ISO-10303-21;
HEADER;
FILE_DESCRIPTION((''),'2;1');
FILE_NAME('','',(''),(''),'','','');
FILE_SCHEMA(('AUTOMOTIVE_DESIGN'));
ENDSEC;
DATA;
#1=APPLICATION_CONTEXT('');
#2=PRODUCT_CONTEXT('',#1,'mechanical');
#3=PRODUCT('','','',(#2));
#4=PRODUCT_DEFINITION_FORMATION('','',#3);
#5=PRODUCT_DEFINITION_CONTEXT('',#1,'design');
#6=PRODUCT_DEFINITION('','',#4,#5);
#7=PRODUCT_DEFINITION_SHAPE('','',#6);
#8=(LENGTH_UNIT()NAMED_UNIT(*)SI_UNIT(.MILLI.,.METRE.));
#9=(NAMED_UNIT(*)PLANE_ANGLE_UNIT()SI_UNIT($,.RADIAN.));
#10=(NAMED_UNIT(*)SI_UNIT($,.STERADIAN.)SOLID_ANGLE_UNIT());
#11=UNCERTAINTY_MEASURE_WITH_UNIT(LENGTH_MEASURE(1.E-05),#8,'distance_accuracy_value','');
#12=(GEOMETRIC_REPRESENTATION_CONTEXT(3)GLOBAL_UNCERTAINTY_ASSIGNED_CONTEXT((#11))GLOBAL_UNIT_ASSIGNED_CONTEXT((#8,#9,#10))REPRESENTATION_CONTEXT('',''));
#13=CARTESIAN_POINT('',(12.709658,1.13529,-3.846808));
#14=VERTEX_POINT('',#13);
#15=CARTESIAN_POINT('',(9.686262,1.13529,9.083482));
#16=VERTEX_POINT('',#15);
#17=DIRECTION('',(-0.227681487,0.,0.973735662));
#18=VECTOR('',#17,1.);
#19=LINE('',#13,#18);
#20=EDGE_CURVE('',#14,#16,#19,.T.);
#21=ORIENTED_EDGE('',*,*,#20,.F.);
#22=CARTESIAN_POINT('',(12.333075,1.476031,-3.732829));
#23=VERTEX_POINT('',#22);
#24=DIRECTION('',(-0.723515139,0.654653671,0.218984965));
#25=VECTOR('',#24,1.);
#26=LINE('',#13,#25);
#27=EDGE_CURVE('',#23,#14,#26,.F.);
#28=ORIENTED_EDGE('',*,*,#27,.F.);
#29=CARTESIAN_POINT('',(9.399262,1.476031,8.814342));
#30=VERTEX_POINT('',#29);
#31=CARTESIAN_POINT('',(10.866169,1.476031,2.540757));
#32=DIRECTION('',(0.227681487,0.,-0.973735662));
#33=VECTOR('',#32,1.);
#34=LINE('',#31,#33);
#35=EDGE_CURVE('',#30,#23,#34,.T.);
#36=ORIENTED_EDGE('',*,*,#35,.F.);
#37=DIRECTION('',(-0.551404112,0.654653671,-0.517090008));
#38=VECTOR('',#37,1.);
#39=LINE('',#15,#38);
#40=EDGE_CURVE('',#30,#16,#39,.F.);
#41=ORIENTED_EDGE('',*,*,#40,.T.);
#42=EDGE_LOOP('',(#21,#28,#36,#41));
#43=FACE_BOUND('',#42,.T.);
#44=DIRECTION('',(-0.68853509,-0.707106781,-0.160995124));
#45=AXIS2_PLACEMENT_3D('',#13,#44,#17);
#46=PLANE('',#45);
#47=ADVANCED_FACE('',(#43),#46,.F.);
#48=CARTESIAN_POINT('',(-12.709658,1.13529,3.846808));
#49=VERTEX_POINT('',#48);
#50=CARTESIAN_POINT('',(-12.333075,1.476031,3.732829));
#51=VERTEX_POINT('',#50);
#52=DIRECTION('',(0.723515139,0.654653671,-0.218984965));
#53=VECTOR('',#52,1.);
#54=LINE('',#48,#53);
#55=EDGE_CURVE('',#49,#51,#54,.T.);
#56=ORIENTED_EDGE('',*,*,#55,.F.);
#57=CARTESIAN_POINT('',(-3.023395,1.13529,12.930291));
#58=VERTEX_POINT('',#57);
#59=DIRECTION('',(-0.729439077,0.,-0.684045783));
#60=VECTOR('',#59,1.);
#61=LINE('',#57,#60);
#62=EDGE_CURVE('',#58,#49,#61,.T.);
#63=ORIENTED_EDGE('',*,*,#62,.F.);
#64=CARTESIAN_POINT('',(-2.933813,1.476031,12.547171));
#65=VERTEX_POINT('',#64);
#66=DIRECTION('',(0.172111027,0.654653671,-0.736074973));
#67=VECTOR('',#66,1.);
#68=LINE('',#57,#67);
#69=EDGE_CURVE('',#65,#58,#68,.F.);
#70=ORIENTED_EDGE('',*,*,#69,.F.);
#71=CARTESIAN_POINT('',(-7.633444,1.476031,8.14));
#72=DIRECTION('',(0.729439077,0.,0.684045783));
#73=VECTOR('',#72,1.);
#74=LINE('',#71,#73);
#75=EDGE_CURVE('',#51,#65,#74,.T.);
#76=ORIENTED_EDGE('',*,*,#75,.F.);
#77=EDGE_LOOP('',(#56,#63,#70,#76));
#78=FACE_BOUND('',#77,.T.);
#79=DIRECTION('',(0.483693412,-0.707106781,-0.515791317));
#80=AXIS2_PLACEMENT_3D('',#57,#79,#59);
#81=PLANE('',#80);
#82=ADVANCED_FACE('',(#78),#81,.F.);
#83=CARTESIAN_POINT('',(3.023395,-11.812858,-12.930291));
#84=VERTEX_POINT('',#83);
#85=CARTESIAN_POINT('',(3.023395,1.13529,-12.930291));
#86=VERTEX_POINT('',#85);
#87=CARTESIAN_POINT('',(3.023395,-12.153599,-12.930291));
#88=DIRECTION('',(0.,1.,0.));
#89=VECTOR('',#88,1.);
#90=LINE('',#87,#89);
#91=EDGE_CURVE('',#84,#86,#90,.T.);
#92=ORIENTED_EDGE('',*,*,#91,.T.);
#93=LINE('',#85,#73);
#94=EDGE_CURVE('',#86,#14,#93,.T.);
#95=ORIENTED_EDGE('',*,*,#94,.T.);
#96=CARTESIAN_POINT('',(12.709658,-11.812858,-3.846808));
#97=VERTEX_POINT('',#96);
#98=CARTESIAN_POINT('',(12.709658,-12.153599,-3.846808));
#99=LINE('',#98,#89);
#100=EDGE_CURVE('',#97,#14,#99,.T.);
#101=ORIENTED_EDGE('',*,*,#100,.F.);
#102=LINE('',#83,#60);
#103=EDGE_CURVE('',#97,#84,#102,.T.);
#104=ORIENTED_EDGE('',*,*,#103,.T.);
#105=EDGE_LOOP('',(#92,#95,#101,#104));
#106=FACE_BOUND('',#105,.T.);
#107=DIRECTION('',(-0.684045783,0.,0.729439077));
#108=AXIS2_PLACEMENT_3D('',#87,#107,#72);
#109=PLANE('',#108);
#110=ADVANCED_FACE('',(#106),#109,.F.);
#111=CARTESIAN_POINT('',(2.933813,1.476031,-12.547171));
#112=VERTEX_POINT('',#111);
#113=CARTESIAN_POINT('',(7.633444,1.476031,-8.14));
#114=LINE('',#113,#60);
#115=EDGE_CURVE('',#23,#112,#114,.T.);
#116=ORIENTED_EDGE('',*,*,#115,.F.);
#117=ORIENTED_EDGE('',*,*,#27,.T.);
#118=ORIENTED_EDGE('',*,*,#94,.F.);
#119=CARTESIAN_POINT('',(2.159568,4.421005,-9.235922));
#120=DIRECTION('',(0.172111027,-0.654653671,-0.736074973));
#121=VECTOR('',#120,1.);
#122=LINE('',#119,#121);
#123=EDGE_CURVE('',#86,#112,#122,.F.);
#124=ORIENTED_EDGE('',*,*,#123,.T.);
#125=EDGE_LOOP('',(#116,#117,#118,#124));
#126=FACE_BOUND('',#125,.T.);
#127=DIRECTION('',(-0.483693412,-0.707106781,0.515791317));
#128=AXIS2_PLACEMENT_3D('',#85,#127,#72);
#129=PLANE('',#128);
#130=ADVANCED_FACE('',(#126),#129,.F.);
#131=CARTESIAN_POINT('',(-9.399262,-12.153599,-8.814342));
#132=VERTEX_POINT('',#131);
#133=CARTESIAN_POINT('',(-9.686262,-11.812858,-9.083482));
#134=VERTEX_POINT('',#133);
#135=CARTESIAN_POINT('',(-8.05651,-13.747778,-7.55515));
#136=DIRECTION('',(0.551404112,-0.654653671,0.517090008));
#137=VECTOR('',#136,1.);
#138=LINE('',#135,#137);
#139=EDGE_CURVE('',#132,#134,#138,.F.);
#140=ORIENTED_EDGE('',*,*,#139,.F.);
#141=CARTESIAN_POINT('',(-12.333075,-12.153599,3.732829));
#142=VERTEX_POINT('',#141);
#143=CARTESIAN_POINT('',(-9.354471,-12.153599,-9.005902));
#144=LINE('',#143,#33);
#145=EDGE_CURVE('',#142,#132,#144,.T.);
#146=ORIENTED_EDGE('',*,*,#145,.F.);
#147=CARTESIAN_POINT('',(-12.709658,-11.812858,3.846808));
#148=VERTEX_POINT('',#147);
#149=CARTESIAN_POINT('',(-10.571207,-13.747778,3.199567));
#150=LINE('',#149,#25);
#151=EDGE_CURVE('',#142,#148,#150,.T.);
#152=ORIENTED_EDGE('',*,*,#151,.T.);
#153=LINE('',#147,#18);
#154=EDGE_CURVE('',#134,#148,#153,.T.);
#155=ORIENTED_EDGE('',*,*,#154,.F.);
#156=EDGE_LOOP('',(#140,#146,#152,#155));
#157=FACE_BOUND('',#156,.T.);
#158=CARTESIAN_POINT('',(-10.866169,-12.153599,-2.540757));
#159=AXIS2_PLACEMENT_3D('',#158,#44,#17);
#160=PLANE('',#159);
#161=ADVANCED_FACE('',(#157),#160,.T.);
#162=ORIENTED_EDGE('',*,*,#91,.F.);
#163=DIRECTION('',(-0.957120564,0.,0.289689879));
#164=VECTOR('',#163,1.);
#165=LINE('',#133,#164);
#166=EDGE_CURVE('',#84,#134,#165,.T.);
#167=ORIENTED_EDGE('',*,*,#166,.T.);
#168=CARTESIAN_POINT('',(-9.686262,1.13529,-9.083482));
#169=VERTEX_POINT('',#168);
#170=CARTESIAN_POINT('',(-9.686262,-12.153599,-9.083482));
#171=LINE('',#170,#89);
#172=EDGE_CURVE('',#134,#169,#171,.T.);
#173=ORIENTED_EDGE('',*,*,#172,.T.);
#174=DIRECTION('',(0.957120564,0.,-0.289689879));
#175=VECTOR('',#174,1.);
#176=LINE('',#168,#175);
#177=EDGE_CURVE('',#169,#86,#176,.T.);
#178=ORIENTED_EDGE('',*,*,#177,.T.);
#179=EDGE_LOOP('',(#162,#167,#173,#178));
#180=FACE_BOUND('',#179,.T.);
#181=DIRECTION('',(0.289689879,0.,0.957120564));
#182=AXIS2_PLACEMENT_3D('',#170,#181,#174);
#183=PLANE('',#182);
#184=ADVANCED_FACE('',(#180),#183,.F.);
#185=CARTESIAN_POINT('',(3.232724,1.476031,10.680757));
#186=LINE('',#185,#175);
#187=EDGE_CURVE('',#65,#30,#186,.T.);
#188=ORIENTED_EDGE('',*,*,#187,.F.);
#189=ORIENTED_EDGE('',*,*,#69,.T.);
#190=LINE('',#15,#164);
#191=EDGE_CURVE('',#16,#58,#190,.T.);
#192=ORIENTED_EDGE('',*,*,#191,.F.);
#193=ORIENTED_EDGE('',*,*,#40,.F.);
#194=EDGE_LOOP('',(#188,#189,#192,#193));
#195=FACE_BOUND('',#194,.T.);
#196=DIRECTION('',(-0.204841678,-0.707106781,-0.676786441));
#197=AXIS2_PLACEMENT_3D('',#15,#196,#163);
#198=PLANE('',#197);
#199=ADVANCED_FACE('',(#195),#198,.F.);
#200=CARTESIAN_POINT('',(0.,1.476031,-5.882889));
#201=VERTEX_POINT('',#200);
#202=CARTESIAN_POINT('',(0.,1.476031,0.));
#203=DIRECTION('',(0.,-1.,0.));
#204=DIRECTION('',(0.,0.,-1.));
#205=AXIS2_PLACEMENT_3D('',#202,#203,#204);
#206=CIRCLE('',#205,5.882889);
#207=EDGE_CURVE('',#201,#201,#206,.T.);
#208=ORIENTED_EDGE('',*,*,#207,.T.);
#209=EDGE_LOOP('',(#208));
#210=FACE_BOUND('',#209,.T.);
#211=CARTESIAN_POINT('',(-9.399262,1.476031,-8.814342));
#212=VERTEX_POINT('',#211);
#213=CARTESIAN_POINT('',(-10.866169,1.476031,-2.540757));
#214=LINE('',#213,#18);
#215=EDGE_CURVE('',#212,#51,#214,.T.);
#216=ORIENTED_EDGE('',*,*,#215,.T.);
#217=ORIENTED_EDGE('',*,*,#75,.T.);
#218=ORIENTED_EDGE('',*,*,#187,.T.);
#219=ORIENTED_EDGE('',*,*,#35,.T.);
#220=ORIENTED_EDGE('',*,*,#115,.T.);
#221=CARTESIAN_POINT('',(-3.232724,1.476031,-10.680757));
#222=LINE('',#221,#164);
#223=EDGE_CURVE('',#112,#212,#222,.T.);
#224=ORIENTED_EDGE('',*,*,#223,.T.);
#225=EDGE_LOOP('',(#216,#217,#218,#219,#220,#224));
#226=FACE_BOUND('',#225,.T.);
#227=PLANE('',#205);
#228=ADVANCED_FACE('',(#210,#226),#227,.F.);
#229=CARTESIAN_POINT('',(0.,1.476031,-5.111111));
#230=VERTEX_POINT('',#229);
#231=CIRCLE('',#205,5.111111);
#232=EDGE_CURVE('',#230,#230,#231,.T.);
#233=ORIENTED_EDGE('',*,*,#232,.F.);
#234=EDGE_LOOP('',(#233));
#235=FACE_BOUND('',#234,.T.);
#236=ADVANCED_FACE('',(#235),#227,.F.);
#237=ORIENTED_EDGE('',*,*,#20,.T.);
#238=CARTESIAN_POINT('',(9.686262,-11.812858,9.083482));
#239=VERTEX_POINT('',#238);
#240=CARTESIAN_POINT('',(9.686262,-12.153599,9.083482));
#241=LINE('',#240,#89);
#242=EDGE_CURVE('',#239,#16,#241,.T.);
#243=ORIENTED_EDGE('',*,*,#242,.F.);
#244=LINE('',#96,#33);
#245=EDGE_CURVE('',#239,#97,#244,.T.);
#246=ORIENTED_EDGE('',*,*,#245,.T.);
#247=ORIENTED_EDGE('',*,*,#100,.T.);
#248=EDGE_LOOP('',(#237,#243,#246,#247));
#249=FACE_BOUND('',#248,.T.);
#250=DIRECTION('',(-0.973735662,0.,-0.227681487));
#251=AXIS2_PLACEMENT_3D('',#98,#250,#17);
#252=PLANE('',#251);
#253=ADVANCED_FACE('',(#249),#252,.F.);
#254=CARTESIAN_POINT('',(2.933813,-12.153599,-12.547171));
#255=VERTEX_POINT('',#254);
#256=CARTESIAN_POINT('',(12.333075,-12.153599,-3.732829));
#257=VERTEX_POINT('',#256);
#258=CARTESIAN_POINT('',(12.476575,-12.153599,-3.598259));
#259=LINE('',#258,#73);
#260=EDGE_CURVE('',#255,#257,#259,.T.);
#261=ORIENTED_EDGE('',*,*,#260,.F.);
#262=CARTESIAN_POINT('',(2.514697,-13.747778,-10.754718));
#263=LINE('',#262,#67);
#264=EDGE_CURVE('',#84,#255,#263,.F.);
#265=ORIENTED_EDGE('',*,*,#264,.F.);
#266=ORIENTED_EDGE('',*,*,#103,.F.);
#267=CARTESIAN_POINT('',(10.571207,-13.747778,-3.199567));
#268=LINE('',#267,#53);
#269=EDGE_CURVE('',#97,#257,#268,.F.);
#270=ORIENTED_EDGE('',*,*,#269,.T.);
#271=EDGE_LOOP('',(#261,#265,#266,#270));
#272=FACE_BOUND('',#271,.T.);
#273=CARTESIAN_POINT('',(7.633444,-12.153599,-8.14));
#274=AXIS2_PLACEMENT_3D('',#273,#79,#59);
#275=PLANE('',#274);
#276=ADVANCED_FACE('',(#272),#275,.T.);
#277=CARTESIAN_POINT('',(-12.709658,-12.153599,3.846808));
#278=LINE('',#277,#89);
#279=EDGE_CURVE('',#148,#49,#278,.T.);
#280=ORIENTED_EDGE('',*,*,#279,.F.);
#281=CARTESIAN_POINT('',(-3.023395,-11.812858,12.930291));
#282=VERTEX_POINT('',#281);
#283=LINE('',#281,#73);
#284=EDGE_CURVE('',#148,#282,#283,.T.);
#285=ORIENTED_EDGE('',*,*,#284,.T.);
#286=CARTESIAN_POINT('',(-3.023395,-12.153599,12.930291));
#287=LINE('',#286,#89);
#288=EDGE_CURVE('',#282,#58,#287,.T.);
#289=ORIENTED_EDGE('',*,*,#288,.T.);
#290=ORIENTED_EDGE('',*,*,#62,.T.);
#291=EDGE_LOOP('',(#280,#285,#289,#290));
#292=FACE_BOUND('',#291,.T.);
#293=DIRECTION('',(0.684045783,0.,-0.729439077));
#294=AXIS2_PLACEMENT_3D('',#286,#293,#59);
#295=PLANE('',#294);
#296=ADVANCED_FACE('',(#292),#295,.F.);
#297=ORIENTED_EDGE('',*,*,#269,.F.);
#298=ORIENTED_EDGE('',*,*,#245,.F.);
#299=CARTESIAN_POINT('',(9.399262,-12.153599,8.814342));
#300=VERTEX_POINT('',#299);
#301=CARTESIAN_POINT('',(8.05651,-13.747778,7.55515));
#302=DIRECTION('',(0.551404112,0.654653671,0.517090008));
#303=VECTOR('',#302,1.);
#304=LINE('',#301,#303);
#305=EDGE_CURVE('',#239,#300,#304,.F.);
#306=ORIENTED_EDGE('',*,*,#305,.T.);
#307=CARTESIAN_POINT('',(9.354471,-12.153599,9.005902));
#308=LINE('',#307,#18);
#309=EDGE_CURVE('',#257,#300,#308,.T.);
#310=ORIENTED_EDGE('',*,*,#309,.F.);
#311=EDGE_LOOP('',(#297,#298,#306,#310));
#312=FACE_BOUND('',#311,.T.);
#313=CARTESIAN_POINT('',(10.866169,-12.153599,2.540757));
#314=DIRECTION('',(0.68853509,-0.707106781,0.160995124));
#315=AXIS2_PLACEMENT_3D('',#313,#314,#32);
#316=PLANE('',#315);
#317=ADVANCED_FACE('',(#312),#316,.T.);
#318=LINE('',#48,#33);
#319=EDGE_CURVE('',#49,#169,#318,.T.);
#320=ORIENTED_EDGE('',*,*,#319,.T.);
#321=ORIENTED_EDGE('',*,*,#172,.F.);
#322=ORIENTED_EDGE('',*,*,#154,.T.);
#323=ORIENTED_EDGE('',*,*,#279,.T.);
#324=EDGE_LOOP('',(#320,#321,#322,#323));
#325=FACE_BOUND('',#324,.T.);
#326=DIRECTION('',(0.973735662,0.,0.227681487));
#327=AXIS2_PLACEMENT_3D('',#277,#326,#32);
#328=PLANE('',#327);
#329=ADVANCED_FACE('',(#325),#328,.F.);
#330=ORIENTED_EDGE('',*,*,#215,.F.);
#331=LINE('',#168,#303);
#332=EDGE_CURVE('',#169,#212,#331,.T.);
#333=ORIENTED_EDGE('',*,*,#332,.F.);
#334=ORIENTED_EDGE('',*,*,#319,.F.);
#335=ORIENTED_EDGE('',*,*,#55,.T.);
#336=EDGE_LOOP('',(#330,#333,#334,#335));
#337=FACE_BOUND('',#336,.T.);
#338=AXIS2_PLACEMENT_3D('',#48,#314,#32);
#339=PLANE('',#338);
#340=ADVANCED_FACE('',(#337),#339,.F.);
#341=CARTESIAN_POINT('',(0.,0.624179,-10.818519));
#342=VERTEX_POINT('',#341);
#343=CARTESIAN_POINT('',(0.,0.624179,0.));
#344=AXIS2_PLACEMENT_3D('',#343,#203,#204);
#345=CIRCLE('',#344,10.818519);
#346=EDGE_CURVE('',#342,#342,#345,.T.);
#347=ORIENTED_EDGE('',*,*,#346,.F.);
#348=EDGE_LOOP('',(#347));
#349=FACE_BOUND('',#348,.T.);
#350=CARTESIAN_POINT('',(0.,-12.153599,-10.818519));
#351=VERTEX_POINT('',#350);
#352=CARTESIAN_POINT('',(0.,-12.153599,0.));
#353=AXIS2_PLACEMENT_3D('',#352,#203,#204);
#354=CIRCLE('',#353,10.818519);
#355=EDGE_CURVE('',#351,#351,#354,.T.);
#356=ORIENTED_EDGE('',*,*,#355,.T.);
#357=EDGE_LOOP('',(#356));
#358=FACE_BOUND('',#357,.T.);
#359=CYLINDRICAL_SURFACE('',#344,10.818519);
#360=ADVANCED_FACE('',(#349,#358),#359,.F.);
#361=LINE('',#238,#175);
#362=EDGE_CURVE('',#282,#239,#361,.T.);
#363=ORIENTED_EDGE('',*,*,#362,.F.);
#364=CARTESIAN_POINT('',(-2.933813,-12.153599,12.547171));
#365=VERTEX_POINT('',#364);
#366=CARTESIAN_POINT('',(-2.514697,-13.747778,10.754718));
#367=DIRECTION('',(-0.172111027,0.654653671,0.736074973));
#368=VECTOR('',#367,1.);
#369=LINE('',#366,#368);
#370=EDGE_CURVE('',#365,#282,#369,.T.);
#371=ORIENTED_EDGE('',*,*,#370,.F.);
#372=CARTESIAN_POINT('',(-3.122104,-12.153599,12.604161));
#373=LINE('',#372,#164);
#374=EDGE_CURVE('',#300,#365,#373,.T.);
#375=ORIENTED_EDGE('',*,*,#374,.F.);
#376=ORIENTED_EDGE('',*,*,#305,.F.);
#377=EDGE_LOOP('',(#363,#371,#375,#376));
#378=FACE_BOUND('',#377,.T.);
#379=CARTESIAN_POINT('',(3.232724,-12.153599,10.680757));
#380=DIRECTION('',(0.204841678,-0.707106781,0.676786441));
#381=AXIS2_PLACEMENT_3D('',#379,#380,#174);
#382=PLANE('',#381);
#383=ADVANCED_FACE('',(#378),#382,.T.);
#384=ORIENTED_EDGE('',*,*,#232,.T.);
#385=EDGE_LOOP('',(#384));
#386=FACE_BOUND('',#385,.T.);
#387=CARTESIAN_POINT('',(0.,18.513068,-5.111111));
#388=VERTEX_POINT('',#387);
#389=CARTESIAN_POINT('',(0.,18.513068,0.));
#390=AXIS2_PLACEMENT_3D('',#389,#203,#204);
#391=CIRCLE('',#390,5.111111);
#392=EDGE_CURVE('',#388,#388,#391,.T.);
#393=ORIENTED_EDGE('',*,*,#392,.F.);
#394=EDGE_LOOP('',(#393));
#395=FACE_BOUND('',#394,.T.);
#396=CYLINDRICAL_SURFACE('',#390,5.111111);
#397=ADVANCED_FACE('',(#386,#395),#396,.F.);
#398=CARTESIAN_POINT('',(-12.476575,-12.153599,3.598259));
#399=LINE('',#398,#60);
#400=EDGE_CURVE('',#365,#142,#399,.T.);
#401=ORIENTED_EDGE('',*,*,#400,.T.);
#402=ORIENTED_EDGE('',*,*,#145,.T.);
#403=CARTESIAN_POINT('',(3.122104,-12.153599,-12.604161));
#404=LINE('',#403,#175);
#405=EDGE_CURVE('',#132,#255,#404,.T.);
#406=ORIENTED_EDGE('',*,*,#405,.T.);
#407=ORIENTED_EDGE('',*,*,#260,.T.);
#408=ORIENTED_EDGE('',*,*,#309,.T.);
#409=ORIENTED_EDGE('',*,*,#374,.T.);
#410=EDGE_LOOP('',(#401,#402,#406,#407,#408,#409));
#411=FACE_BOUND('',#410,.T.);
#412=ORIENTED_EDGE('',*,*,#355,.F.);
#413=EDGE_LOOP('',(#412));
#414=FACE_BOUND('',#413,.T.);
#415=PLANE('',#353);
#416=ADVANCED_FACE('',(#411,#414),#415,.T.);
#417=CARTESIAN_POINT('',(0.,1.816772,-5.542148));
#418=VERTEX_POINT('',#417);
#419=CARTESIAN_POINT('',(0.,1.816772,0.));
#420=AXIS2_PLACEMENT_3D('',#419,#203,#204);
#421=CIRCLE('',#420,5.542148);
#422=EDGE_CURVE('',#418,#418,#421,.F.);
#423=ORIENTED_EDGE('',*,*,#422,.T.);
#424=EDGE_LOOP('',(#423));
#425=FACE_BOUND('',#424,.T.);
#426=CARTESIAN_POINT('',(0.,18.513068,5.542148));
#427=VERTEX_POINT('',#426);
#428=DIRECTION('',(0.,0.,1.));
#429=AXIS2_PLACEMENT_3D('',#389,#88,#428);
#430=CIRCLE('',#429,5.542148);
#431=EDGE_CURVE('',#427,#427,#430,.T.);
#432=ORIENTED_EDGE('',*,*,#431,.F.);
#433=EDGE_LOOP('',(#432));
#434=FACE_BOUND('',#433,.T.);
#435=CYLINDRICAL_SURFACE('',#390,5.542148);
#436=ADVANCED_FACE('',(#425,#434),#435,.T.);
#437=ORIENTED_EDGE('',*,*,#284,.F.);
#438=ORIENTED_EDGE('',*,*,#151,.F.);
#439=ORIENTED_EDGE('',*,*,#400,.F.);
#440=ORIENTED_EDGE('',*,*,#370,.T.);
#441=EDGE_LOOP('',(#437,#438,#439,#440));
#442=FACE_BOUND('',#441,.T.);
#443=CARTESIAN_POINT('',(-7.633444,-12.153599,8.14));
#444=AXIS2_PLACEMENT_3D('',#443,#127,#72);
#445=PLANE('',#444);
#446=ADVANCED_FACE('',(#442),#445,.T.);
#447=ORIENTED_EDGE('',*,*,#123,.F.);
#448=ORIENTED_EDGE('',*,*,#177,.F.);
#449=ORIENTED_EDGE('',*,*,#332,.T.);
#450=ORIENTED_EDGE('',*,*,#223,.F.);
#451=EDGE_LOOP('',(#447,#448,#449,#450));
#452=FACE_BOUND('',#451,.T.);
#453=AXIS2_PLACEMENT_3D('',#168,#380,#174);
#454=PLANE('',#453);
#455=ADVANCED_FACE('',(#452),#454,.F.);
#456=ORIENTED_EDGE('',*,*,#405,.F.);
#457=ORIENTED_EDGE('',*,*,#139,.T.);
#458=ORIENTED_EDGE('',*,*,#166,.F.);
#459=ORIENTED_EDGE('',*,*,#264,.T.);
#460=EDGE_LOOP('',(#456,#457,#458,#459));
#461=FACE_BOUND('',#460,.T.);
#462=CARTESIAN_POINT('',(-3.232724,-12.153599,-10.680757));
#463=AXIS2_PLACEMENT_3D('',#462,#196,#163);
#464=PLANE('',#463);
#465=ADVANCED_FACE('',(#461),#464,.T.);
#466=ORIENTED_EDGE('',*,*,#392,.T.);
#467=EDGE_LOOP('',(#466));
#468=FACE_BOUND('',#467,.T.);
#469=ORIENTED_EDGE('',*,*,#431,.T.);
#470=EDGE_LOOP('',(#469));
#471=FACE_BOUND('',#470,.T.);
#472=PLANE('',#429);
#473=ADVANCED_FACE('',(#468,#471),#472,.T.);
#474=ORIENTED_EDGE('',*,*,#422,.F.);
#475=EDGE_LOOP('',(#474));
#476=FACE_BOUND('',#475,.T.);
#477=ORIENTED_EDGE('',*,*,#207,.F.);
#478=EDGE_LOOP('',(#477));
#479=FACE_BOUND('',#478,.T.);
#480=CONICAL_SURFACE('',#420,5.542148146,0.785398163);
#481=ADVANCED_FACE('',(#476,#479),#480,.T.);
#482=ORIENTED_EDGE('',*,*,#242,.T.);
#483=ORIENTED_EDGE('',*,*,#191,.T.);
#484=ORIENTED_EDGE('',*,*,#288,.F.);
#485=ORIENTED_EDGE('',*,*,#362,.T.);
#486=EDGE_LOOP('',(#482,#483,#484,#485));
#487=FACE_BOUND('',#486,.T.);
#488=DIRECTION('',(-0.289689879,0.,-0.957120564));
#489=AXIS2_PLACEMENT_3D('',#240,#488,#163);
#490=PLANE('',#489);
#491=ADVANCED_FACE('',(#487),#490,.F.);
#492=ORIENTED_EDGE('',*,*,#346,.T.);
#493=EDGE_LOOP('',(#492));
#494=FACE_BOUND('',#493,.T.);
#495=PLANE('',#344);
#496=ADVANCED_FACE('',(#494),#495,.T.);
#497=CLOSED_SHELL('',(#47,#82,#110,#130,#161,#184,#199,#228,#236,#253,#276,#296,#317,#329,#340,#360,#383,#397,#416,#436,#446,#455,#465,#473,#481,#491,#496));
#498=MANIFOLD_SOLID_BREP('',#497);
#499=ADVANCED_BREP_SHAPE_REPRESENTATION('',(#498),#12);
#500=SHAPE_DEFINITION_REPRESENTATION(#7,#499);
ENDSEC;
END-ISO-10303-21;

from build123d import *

# Parameters (mm, degrees)
SKETCH_1_R          = 3.253
EXTRUDE_1_DEPTH     = 10
SKETCH_2_R          = 3
CUT_EXTRUDE_1_DEPTH = 10
EXTRUDE_2_DEPTH     = 8
CHAMFER_2_SIZE      = 0.2
SKETCH_6_R          = 6.35
CUT_EXTRUDE_3_DEPTH = 7.5
SCALE_1_SCALE       = 1.703703703


with BuildPart() as part:
    # 草图1 → 凸台-拉伸1 (new body)
    with BuildSketch(Plane(origin=(0, 0, 0), x_dir=(1, 0, 0), z_dir=(0, 1, 0))):
        with Locations(Location((0, 0, 0), (0, 0, 270))):
            Circle(SKETCH_1_R)
    extrude(amount=EXTRUDE_1_DEPTH)

    # 草图2 → 切除-拉伸1 (cut)
    with BuildSketch(Plane.XZ):
        with Locations(Location((0, 0, 0), (0, 0, 270))):
            Circle(SKETCH_2_R)
    extrude(amount=-CUT_EXTRUDE_1_DEPTH, mode=Mode.SUBTRACT)

    # 草图3 → 凸台-拉伸2 (add)
    with BuildSketch(Plane.XZ):
        Polygon((1.774601568, -7.589518382), (7.460016506, -2.257909151), (5.685414937, 5.331609231), (-1.774601568, 7.589518382), (-7.460016506, 2.257909151), (-5.685414937, -5.331609231), align=None)
    extrude(amount=EXTRUDE_2_DEPTH)

    # 倒角2
    chamfer_2_edges = [part.edges().sort_by_distance(p)[0] for p in [
        (0, 0, -3.253),
        (-1.955406684, 0, -6.460563807),
        (4.617309037, 0, -4.923713767),
        (6.572715721, 0, 1.53685004),
        (1.955406684, 0, 6.460563807),
        (-4.617309037, 0, 4.923713767),
        (-6.572715721, 0, -1.53685004),
        (-1.955406684, -8, -6.460563807),
        (4.617309037, -8, -4.923713767),
        (6.572715721, -8, 1.53685004),
        (1.955406684, -8, 6.460563807),
        (-4.617309037, -8, 4.923713767),
        (-6.572715721, -8, -1.53685004),
    ]]
    chamfer(chamfer_2_edges, length=CHAMFER_2_SIZE)

    # 草图6 → 切除-拉伸3 (cut)
    with BuildSketch(Plane.XZ.offset(8)):
        with Locations(Location((0, 0, 0), (0, 0, 270))):
            Circle(SKETCH_6_R)
    extrude(amount=-CUT_EXTRUDE_3_DEPTH, mode=Mode.SUBTRACT)


with BuildPart() as part_1:
    # 缩放比例1: scaled about (0, -2.097517818, 0)
    add(part.part.scale(SCALE_1_SCALE).moved(Location((0, 1.476031056, 0))))


solid = part_1.part
